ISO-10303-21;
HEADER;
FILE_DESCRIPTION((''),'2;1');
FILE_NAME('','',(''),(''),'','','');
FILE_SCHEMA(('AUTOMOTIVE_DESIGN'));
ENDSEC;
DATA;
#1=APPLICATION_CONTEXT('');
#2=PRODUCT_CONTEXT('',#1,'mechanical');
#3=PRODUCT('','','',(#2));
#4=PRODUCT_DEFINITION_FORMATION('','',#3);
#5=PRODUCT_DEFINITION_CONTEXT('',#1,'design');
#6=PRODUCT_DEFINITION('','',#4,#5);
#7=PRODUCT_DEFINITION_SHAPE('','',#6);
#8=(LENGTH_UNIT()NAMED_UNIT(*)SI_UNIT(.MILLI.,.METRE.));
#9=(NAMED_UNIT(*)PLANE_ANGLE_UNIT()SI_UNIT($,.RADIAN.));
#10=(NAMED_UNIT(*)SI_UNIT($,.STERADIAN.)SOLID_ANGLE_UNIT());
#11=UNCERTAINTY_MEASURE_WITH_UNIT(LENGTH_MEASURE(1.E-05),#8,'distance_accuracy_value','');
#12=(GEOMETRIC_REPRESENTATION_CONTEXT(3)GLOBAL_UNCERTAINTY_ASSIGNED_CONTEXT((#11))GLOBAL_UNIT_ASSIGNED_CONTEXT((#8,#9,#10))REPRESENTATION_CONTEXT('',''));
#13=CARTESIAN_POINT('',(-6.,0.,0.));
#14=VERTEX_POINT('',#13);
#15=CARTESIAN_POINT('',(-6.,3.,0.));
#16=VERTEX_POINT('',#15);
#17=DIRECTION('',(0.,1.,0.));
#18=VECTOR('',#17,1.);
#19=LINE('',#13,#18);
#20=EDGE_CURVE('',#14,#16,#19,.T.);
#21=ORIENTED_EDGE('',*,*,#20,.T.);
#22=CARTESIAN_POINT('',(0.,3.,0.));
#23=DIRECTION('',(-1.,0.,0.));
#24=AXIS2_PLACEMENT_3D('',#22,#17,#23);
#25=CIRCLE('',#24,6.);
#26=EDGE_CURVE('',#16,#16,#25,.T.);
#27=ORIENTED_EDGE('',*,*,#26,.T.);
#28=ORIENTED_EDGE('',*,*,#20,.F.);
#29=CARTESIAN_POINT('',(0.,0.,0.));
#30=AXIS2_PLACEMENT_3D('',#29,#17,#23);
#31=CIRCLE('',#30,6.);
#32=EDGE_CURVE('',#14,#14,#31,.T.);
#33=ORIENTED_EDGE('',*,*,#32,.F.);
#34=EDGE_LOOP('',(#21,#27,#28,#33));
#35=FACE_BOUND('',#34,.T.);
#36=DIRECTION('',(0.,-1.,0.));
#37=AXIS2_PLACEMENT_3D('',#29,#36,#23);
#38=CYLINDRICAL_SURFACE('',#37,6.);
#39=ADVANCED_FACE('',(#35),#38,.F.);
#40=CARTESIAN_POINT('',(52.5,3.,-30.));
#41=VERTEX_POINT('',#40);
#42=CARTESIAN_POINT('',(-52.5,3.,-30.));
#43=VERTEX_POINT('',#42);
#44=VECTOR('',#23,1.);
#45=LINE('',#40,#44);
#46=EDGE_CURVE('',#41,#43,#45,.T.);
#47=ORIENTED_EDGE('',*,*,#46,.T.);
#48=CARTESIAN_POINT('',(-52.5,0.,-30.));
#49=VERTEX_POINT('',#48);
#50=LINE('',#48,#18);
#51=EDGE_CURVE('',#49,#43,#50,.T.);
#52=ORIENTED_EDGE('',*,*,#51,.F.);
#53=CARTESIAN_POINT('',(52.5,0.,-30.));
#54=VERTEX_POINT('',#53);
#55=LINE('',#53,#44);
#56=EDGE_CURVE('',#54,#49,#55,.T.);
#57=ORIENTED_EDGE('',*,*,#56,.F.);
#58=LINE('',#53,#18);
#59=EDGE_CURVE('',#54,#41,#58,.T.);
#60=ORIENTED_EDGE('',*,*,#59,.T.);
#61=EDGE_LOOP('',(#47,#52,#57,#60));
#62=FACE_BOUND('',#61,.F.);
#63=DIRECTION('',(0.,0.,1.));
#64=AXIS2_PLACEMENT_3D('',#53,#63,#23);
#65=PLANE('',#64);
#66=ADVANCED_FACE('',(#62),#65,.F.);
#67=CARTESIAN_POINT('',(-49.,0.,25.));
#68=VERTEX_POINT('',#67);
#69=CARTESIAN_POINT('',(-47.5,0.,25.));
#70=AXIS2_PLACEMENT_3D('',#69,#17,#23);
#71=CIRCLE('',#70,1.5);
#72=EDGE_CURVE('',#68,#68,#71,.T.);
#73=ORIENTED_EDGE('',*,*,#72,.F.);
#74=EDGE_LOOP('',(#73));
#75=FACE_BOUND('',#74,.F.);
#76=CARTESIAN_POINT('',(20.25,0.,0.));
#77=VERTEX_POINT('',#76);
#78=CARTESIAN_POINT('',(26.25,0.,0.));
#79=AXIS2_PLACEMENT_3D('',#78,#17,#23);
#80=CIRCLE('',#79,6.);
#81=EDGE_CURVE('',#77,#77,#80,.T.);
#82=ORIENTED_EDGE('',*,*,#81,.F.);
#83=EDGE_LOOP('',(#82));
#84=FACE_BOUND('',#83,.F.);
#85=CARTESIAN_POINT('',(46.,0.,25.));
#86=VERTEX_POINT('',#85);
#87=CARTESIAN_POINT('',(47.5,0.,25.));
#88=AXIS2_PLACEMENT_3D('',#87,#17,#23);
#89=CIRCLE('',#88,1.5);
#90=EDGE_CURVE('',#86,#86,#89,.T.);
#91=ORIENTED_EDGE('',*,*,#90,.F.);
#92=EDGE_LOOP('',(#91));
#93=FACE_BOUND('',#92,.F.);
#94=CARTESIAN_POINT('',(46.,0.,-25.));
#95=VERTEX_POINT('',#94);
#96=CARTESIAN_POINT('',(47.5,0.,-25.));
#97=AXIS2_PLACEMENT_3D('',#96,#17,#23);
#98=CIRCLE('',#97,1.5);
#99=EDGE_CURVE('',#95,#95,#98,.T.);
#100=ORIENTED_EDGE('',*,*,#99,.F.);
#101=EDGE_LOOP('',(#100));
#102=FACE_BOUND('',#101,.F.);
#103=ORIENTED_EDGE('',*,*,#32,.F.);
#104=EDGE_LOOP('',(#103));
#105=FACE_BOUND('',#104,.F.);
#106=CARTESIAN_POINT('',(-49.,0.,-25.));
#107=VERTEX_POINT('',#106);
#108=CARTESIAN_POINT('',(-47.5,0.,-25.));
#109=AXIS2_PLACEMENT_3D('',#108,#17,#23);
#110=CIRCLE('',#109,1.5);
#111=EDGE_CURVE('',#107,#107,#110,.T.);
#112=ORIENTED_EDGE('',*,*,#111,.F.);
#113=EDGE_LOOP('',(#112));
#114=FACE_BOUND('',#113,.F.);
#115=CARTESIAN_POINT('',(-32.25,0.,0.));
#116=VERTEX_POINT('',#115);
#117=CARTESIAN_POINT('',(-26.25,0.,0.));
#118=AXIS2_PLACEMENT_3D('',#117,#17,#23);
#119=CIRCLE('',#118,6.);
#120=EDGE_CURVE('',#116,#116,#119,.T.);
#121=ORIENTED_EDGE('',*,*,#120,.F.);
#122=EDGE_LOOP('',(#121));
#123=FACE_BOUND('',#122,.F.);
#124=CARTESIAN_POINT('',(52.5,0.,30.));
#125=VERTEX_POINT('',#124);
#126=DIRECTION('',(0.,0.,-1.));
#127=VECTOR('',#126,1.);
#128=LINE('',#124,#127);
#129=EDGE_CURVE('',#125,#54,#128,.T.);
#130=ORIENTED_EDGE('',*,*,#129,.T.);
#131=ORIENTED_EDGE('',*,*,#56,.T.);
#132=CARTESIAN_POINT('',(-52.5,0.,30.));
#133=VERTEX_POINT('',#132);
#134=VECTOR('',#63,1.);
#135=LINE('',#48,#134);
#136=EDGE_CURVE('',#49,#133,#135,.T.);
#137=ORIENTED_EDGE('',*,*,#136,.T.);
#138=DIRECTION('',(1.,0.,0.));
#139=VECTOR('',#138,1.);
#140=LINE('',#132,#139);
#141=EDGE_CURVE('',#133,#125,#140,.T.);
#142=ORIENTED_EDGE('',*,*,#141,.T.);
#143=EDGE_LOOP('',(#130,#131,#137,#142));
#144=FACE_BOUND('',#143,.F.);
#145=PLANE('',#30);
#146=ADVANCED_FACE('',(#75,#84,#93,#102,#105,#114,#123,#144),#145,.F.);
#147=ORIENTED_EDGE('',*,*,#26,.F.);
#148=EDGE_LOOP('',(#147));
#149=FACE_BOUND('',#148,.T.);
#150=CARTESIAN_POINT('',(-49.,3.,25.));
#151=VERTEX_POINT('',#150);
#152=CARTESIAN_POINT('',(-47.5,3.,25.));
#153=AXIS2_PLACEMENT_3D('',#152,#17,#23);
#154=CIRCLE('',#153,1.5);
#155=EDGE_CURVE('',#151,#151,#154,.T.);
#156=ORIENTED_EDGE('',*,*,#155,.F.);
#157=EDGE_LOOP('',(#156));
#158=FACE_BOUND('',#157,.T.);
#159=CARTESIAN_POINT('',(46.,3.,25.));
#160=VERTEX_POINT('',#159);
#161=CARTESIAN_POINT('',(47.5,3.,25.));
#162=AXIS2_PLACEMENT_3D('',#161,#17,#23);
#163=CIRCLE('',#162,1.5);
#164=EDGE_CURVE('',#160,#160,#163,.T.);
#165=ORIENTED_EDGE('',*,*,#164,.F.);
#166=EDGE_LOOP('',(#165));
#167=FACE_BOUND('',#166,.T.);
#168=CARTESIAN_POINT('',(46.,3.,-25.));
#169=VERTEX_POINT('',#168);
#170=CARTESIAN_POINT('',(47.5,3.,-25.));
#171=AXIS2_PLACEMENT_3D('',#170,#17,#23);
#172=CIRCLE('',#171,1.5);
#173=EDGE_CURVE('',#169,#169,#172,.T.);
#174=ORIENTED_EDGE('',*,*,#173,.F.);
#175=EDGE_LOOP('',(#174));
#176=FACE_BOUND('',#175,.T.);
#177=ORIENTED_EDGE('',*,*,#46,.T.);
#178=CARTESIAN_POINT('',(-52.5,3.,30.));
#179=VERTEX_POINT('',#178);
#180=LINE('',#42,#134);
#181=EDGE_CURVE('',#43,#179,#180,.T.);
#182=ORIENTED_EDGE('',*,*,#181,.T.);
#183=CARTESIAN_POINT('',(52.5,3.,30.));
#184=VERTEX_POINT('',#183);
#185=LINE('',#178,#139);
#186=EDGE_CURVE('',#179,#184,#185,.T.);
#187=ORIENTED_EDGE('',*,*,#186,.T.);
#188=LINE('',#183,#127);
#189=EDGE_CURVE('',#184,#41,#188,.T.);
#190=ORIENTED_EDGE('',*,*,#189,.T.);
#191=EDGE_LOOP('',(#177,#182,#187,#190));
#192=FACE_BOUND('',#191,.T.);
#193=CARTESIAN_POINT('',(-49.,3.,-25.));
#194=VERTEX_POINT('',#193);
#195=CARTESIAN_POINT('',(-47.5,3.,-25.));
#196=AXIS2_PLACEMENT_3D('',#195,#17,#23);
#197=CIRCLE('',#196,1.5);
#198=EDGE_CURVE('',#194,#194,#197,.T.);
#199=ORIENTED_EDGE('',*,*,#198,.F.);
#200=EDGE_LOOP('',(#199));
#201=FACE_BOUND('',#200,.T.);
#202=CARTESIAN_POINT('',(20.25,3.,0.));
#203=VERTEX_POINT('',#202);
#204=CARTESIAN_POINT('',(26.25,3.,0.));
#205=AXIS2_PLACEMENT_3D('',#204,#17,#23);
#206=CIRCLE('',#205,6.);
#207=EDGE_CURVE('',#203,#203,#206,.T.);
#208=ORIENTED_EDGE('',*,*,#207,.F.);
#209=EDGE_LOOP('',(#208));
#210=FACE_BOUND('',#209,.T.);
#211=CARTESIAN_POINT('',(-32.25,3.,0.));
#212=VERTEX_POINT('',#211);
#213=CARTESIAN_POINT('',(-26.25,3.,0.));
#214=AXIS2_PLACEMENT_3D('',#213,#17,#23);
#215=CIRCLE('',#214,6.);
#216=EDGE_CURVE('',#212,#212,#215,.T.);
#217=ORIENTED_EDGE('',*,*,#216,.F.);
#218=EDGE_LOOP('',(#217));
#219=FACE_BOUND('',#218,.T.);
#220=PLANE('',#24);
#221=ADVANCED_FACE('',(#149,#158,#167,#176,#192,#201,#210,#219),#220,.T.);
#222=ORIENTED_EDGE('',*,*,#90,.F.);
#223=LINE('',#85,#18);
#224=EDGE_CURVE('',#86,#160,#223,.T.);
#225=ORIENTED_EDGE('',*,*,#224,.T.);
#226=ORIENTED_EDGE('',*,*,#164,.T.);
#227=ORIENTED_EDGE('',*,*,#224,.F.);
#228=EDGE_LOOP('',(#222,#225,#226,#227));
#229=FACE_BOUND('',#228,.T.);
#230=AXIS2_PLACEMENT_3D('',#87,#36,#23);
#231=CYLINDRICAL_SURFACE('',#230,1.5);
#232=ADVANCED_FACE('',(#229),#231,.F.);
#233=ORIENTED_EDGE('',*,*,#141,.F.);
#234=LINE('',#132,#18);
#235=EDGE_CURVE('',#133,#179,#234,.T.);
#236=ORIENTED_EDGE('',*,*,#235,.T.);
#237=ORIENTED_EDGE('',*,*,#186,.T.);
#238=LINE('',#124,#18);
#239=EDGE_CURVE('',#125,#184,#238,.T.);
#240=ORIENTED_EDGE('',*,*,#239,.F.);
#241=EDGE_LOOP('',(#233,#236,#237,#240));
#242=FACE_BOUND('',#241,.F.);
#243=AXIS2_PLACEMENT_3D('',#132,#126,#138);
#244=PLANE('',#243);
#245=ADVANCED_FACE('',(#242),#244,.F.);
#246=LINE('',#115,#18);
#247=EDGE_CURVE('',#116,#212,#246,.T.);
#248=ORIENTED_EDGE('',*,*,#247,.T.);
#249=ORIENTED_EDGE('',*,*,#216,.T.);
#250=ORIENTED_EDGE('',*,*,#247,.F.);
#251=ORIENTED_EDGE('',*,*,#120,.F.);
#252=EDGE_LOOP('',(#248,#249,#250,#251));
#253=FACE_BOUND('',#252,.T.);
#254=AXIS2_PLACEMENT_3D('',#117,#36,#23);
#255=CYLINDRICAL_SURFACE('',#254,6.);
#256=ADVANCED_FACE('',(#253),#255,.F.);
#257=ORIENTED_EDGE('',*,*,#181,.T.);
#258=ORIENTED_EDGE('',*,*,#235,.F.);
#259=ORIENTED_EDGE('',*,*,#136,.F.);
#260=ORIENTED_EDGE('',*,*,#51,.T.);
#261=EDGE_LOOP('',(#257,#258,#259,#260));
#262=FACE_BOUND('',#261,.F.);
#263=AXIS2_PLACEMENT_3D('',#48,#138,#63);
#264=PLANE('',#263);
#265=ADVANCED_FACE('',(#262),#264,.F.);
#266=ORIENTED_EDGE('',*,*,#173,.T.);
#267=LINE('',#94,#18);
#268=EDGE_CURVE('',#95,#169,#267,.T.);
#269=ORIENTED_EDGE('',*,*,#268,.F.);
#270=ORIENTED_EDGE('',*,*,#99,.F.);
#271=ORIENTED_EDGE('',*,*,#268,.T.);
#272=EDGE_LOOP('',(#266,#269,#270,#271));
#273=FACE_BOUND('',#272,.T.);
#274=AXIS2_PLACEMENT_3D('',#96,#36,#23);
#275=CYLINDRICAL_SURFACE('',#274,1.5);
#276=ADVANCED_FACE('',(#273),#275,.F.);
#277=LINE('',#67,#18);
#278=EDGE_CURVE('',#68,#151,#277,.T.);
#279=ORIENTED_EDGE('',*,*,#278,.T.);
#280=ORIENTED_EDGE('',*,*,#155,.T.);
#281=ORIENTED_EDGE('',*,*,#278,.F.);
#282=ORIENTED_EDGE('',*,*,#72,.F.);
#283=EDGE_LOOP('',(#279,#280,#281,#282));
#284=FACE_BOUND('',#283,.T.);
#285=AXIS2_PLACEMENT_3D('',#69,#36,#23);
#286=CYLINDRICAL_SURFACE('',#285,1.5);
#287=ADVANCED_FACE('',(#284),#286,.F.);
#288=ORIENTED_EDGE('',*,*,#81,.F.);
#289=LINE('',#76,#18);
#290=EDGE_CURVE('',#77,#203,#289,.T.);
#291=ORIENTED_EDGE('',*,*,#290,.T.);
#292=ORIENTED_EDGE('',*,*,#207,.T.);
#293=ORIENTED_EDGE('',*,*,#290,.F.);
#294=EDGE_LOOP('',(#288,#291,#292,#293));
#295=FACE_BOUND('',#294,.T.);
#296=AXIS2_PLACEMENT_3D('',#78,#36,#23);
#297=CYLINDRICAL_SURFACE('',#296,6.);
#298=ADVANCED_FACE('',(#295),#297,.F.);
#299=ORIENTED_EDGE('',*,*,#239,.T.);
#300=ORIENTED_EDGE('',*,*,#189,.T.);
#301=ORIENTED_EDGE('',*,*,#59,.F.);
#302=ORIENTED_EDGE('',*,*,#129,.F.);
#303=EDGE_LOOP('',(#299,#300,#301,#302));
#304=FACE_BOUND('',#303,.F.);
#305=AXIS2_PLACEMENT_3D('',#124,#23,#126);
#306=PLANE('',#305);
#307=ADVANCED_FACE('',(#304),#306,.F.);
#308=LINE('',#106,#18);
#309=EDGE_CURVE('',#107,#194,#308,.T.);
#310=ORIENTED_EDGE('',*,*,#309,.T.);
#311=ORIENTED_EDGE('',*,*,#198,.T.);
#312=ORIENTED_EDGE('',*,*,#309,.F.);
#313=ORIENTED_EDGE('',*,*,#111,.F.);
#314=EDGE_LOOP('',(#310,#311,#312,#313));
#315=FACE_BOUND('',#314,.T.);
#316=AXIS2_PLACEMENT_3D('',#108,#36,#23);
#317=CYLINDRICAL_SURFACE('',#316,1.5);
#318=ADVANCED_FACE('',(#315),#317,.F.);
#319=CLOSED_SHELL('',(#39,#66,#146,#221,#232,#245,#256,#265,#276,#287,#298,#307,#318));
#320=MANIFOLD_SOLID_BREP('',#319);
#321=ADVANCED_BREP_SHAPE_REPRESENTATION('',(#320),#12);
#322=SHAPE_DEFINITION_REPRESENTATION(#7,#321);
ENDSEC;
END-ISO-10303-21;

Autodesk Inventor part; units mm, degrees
ref_plane "YZ Plane" through (0, 0, 0) normal (1, 0, 0) x (0, 1, 0)
ref_plane "XZ Plane" through (0, 0, 0) normal (0, 1, 0) x (-1, 0, 0)
ref_plane "XY Plane" through (0, 0, 0) normal (0, 0, 1) x (1, 0, 0)
sketch "Sketch1" plane through (0, 0, 0) normal (0, 1, 0) x (-1, 0, 0)
  line L0 (52.5, 30) -> (-52.5, 30)
  line L1 (-52.5, 30) -> (-52.5, -30)
  line L2 (-52.5, -30) -> (52.5, -30)
  line L3 (52.5, -30) -> (52.5, 30)
  line L4 (52.5, 0) -> (-52.5, 0) construction
  line L5 (0, 30) -> (0, -30) construction
  line L6 (0, 30) -> (52.5, 30) construction
  line L7 (26.25, 30) -> (26.25, -30) construction
  line L8 (0, 30) -> (-52.5, 30) construction
  line L9 (-26.25, 30) -> (-26.25, -30) construction
  circle A0 centre (26.25, 0) radius 6
  circle A1 centre (0, 0) radius 6
  circle A2 centre (-26.25, 0) radius 6
  line L10 (47.5, 25) -> (-47.5, 25) construction
  line L11 (-47.5, 25) -> (-47.5, -25) construction
  line L12 (-47.5, -25) -> (47.5, -25) construction
  line L13 (47.5, -25) -> (47.5, 25) construction
  circle A3 centre (47.5, 25) radius 1.5
  circle A4 centre (47.5, -25) radius 1.5
  circle A5 centre (-47.5, -25) radius 1.5
  circle A6 centre (-47.5, 25) radius 1.5
  dimension "d0" = 105
  dimension "d1" = 60
  dimension "d2" = 12
  dimension "d3" = 12
  dimension "d4" = 12
  dimension "d5" = 5
  dimension "d6" = 3
  dimension "d7" = 3
  dimension "d8" = 3
  dimension "d9" = 3
extrude "Extrusion1" add sketch "Sketch1" along normal blind 3
properties part number "Front cover" material "Iron, Gray"
